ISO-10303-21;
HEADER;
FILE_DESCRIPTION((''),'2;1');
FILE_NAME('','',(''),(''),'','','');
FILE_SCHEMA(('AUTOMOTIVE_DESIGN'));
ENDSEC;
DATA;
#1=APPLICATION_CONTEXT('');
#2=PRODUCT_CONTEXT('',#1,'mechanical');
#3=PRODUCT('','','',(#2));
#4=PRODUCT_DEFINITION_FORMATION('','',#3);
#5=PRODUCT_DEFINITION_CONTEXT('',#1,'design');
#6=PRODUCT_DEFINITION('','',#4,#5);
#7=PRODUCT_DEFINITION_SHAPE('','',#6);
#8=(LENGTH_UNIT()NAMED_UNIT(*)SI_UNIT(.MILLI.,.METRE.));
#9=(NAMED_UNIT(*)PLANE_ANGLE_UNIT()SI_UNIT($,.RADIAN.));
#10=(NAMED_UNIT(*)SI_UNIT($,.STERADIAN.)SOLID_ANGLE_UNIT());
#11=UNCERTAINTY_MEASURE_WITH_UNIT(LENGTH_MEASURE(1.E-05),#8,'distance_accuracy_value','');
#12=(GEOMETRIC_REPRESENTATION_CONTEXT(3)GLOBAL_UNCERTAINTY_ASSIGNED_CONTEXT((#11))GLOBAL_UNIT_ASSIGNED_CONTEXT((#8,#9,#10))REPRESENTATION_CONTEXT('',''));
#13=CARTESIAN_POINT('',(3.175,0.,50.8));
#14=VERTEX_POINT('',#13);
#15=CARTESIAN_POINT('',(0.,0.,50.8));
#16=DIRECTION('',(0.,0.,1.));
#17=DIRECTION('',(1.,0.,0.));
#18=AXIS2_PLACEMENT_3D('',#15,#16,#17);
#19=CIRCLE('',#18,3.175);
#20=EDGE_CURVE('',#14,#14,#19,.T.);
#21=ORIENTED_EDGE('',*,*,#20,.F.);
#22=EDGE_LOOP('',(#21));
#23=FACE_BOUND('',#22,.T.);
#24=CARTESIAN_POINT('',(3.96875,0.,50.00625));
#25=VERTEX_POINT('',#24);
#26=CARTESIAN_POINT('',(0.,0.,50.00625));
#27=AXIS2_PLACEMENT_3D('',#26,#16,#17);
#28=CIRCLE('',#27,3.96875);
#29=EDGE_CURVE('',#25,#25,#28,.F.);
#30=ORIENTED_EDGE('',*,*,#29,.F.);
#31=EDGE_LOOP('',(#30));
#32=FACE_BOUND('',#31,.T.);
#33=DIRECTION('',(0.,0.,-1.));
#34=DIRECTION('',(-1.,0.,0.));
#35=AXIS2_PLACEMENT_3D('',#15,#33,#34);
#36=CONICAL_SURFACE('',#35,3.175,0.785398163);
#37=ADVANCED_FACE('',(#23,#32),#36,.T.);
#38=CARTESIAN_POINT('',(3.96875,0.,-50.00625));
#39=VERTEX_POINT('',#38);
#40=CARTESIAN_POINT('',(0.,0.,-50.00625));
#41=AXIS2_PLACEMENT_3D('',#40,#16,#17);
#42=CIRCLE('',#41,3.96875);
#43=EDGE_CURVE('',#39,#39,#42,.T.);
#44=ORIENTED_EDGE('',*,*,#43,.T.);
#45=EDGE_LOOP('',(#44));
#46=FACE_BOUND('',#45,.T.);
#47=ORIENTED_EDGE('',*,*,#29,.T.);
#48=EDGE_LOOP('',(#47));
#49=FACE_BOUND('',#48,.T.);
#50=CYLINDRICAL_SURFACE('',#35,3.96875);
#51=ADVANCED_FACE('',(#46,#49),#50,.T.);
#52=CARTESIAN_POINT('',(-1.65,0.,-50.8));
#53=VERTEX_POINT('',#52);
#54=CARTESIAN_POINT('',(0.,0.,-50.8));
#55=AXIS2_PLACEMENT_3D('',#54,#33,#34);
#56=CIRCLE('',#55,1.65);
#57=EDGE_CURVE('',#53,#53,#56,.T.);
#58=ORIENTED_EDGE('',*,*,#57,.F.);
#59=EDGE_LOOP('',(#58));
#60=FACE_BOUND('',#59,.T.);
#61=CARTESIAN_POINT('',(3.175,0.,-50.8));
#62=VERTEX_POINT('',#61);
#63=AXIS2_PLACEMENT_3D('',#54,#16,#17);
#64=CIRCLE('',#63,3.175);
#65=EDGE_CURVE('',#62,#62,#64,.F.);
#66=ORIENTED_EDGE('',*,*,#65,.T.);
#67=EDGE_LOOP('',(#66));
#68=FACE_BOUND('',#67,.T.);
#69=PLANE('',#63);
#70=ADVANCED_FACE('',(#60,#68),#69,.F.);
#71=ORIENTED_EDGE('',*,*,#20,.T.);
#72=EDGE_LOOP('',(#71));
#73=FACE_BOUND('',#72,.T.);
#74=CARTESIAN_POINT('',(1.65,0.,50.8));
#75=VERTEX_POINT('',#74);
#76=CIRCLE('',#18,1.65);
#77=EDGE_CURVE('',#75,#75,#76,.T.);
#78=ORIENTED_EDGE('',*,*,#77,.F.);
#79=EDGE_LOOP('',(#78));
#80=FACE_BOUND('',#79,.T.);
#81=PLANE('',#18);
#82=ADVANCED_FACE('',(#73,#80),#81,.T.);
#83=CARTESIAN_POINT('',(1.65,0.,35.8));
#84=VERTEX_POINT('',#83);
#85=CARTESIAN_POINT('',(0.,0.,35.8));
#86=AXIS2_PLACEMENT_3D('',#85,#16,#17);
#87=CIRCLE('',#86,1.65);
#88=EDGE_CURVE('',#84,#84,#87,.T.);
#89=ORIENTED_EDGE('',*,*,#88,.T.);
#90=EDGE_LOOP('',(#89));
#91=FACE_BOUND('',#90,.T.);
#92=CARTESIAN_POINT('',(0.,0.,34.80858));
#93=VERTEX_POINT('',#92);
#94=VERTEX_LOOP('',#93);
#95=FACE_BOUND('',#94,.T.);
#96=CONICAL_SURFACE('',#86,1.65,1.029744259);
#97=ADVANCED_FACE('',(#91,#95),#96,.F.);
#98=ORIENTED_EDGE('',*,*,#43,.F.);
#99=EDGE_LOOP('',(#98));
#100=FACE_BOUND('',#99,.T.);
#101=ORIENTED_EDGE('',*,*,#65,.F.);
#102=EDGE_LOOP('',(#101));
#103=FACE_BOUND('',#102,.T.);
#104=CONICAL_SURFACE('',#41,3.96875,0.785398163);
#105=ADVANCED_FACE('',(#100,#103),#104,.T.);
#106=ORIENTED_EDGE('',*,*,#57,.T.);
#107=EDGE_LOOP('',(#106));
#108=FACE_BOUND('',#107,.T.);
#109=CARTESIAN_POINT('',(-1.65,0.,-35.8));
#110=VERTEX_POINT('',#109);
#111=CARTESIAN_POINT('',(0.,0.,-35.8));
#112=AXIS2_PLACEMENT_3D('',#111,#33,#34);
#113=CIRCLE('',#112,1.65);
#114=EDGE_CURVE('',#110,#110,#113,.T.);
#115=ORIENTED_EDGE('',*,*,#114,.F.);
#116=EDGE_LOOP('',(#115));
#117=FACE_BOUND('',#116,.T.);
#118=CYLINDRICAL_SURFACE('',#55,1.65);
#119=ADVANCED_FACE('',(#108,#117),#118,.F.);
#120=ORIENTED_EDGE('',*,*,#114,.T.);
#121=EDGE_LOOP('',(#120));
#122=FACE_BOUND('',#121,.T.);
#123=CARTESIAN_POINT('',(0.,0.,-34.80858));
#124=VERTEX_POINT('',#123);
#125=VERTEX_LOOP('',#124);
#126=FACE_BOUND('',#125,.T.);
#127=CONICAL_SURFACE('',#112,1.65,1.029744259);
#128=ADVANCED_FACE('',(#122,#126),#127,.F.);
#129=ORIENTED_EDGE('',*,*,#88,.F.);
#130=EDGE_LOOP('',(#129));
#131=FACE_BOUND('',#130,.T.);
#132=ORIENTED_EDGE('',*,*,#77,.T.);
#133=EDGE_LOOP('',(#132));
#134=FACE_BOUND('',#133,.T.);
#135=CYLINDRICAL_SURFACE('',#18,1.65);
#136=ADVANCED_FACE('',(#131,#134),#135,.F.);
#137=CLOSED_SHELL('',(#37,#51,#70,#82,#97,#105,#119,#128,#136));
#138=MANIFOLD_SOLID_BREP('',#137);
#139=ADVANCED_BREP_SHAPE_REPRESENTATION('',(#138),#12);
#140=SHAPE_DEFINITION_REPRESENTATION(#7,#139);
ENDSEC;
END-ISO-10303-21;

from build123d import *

# Parameters (mm, degrees)
SKETCH3_R           = 3.96875
BOSS_EXTRUDE1_DEPTH = 50.8
CHAMFER1_SIZE       = 0.79375


with BuildPart() as part:
    # Sketch3 → Boss-Extrude1 (new body, symmetric)
    with BuildSketch(Plane.XY):
        Circle(SKETCH3_R)
    extrude(amount=BOSS_EXTRUDE1_DEPTH, both=True)

    # Chamfer1
    chamfer1_edges = [part.edges().sort_by_distance(p)[0] for p in [
        (-3.96875, 0, -50.8),
        (-3.96875, 0, 50.8),
    ]]
    chamfer(chamfer1_edges, length=CHAMFER1_SIZE)

    # Sketch6 → M4x0.7 Tapped Hole1 (revolve, cut)
    with BuildSketch(Plane(origin=(0, 0, -50.8), x_dir=(0, 1, 0), z_dir=(1, 0, 0))):
        Polygon((0, 0), (0, 15.991420021), (1.65, 15), (1.65, 0), align=None)
    m4x0_7_tapped_hole1 = revolve(axis=Axis((0, 0, -57.15), (0, 0, 1)), mode=Mode.SUBTRACT)

    # Mirror1: M4x0.7 Tapped Hole1 across plane
    add(m4x0_7_tapped_hole1.mirror(Plane.XY), mode=Mode.SUBTRACT)


solid = part.part
